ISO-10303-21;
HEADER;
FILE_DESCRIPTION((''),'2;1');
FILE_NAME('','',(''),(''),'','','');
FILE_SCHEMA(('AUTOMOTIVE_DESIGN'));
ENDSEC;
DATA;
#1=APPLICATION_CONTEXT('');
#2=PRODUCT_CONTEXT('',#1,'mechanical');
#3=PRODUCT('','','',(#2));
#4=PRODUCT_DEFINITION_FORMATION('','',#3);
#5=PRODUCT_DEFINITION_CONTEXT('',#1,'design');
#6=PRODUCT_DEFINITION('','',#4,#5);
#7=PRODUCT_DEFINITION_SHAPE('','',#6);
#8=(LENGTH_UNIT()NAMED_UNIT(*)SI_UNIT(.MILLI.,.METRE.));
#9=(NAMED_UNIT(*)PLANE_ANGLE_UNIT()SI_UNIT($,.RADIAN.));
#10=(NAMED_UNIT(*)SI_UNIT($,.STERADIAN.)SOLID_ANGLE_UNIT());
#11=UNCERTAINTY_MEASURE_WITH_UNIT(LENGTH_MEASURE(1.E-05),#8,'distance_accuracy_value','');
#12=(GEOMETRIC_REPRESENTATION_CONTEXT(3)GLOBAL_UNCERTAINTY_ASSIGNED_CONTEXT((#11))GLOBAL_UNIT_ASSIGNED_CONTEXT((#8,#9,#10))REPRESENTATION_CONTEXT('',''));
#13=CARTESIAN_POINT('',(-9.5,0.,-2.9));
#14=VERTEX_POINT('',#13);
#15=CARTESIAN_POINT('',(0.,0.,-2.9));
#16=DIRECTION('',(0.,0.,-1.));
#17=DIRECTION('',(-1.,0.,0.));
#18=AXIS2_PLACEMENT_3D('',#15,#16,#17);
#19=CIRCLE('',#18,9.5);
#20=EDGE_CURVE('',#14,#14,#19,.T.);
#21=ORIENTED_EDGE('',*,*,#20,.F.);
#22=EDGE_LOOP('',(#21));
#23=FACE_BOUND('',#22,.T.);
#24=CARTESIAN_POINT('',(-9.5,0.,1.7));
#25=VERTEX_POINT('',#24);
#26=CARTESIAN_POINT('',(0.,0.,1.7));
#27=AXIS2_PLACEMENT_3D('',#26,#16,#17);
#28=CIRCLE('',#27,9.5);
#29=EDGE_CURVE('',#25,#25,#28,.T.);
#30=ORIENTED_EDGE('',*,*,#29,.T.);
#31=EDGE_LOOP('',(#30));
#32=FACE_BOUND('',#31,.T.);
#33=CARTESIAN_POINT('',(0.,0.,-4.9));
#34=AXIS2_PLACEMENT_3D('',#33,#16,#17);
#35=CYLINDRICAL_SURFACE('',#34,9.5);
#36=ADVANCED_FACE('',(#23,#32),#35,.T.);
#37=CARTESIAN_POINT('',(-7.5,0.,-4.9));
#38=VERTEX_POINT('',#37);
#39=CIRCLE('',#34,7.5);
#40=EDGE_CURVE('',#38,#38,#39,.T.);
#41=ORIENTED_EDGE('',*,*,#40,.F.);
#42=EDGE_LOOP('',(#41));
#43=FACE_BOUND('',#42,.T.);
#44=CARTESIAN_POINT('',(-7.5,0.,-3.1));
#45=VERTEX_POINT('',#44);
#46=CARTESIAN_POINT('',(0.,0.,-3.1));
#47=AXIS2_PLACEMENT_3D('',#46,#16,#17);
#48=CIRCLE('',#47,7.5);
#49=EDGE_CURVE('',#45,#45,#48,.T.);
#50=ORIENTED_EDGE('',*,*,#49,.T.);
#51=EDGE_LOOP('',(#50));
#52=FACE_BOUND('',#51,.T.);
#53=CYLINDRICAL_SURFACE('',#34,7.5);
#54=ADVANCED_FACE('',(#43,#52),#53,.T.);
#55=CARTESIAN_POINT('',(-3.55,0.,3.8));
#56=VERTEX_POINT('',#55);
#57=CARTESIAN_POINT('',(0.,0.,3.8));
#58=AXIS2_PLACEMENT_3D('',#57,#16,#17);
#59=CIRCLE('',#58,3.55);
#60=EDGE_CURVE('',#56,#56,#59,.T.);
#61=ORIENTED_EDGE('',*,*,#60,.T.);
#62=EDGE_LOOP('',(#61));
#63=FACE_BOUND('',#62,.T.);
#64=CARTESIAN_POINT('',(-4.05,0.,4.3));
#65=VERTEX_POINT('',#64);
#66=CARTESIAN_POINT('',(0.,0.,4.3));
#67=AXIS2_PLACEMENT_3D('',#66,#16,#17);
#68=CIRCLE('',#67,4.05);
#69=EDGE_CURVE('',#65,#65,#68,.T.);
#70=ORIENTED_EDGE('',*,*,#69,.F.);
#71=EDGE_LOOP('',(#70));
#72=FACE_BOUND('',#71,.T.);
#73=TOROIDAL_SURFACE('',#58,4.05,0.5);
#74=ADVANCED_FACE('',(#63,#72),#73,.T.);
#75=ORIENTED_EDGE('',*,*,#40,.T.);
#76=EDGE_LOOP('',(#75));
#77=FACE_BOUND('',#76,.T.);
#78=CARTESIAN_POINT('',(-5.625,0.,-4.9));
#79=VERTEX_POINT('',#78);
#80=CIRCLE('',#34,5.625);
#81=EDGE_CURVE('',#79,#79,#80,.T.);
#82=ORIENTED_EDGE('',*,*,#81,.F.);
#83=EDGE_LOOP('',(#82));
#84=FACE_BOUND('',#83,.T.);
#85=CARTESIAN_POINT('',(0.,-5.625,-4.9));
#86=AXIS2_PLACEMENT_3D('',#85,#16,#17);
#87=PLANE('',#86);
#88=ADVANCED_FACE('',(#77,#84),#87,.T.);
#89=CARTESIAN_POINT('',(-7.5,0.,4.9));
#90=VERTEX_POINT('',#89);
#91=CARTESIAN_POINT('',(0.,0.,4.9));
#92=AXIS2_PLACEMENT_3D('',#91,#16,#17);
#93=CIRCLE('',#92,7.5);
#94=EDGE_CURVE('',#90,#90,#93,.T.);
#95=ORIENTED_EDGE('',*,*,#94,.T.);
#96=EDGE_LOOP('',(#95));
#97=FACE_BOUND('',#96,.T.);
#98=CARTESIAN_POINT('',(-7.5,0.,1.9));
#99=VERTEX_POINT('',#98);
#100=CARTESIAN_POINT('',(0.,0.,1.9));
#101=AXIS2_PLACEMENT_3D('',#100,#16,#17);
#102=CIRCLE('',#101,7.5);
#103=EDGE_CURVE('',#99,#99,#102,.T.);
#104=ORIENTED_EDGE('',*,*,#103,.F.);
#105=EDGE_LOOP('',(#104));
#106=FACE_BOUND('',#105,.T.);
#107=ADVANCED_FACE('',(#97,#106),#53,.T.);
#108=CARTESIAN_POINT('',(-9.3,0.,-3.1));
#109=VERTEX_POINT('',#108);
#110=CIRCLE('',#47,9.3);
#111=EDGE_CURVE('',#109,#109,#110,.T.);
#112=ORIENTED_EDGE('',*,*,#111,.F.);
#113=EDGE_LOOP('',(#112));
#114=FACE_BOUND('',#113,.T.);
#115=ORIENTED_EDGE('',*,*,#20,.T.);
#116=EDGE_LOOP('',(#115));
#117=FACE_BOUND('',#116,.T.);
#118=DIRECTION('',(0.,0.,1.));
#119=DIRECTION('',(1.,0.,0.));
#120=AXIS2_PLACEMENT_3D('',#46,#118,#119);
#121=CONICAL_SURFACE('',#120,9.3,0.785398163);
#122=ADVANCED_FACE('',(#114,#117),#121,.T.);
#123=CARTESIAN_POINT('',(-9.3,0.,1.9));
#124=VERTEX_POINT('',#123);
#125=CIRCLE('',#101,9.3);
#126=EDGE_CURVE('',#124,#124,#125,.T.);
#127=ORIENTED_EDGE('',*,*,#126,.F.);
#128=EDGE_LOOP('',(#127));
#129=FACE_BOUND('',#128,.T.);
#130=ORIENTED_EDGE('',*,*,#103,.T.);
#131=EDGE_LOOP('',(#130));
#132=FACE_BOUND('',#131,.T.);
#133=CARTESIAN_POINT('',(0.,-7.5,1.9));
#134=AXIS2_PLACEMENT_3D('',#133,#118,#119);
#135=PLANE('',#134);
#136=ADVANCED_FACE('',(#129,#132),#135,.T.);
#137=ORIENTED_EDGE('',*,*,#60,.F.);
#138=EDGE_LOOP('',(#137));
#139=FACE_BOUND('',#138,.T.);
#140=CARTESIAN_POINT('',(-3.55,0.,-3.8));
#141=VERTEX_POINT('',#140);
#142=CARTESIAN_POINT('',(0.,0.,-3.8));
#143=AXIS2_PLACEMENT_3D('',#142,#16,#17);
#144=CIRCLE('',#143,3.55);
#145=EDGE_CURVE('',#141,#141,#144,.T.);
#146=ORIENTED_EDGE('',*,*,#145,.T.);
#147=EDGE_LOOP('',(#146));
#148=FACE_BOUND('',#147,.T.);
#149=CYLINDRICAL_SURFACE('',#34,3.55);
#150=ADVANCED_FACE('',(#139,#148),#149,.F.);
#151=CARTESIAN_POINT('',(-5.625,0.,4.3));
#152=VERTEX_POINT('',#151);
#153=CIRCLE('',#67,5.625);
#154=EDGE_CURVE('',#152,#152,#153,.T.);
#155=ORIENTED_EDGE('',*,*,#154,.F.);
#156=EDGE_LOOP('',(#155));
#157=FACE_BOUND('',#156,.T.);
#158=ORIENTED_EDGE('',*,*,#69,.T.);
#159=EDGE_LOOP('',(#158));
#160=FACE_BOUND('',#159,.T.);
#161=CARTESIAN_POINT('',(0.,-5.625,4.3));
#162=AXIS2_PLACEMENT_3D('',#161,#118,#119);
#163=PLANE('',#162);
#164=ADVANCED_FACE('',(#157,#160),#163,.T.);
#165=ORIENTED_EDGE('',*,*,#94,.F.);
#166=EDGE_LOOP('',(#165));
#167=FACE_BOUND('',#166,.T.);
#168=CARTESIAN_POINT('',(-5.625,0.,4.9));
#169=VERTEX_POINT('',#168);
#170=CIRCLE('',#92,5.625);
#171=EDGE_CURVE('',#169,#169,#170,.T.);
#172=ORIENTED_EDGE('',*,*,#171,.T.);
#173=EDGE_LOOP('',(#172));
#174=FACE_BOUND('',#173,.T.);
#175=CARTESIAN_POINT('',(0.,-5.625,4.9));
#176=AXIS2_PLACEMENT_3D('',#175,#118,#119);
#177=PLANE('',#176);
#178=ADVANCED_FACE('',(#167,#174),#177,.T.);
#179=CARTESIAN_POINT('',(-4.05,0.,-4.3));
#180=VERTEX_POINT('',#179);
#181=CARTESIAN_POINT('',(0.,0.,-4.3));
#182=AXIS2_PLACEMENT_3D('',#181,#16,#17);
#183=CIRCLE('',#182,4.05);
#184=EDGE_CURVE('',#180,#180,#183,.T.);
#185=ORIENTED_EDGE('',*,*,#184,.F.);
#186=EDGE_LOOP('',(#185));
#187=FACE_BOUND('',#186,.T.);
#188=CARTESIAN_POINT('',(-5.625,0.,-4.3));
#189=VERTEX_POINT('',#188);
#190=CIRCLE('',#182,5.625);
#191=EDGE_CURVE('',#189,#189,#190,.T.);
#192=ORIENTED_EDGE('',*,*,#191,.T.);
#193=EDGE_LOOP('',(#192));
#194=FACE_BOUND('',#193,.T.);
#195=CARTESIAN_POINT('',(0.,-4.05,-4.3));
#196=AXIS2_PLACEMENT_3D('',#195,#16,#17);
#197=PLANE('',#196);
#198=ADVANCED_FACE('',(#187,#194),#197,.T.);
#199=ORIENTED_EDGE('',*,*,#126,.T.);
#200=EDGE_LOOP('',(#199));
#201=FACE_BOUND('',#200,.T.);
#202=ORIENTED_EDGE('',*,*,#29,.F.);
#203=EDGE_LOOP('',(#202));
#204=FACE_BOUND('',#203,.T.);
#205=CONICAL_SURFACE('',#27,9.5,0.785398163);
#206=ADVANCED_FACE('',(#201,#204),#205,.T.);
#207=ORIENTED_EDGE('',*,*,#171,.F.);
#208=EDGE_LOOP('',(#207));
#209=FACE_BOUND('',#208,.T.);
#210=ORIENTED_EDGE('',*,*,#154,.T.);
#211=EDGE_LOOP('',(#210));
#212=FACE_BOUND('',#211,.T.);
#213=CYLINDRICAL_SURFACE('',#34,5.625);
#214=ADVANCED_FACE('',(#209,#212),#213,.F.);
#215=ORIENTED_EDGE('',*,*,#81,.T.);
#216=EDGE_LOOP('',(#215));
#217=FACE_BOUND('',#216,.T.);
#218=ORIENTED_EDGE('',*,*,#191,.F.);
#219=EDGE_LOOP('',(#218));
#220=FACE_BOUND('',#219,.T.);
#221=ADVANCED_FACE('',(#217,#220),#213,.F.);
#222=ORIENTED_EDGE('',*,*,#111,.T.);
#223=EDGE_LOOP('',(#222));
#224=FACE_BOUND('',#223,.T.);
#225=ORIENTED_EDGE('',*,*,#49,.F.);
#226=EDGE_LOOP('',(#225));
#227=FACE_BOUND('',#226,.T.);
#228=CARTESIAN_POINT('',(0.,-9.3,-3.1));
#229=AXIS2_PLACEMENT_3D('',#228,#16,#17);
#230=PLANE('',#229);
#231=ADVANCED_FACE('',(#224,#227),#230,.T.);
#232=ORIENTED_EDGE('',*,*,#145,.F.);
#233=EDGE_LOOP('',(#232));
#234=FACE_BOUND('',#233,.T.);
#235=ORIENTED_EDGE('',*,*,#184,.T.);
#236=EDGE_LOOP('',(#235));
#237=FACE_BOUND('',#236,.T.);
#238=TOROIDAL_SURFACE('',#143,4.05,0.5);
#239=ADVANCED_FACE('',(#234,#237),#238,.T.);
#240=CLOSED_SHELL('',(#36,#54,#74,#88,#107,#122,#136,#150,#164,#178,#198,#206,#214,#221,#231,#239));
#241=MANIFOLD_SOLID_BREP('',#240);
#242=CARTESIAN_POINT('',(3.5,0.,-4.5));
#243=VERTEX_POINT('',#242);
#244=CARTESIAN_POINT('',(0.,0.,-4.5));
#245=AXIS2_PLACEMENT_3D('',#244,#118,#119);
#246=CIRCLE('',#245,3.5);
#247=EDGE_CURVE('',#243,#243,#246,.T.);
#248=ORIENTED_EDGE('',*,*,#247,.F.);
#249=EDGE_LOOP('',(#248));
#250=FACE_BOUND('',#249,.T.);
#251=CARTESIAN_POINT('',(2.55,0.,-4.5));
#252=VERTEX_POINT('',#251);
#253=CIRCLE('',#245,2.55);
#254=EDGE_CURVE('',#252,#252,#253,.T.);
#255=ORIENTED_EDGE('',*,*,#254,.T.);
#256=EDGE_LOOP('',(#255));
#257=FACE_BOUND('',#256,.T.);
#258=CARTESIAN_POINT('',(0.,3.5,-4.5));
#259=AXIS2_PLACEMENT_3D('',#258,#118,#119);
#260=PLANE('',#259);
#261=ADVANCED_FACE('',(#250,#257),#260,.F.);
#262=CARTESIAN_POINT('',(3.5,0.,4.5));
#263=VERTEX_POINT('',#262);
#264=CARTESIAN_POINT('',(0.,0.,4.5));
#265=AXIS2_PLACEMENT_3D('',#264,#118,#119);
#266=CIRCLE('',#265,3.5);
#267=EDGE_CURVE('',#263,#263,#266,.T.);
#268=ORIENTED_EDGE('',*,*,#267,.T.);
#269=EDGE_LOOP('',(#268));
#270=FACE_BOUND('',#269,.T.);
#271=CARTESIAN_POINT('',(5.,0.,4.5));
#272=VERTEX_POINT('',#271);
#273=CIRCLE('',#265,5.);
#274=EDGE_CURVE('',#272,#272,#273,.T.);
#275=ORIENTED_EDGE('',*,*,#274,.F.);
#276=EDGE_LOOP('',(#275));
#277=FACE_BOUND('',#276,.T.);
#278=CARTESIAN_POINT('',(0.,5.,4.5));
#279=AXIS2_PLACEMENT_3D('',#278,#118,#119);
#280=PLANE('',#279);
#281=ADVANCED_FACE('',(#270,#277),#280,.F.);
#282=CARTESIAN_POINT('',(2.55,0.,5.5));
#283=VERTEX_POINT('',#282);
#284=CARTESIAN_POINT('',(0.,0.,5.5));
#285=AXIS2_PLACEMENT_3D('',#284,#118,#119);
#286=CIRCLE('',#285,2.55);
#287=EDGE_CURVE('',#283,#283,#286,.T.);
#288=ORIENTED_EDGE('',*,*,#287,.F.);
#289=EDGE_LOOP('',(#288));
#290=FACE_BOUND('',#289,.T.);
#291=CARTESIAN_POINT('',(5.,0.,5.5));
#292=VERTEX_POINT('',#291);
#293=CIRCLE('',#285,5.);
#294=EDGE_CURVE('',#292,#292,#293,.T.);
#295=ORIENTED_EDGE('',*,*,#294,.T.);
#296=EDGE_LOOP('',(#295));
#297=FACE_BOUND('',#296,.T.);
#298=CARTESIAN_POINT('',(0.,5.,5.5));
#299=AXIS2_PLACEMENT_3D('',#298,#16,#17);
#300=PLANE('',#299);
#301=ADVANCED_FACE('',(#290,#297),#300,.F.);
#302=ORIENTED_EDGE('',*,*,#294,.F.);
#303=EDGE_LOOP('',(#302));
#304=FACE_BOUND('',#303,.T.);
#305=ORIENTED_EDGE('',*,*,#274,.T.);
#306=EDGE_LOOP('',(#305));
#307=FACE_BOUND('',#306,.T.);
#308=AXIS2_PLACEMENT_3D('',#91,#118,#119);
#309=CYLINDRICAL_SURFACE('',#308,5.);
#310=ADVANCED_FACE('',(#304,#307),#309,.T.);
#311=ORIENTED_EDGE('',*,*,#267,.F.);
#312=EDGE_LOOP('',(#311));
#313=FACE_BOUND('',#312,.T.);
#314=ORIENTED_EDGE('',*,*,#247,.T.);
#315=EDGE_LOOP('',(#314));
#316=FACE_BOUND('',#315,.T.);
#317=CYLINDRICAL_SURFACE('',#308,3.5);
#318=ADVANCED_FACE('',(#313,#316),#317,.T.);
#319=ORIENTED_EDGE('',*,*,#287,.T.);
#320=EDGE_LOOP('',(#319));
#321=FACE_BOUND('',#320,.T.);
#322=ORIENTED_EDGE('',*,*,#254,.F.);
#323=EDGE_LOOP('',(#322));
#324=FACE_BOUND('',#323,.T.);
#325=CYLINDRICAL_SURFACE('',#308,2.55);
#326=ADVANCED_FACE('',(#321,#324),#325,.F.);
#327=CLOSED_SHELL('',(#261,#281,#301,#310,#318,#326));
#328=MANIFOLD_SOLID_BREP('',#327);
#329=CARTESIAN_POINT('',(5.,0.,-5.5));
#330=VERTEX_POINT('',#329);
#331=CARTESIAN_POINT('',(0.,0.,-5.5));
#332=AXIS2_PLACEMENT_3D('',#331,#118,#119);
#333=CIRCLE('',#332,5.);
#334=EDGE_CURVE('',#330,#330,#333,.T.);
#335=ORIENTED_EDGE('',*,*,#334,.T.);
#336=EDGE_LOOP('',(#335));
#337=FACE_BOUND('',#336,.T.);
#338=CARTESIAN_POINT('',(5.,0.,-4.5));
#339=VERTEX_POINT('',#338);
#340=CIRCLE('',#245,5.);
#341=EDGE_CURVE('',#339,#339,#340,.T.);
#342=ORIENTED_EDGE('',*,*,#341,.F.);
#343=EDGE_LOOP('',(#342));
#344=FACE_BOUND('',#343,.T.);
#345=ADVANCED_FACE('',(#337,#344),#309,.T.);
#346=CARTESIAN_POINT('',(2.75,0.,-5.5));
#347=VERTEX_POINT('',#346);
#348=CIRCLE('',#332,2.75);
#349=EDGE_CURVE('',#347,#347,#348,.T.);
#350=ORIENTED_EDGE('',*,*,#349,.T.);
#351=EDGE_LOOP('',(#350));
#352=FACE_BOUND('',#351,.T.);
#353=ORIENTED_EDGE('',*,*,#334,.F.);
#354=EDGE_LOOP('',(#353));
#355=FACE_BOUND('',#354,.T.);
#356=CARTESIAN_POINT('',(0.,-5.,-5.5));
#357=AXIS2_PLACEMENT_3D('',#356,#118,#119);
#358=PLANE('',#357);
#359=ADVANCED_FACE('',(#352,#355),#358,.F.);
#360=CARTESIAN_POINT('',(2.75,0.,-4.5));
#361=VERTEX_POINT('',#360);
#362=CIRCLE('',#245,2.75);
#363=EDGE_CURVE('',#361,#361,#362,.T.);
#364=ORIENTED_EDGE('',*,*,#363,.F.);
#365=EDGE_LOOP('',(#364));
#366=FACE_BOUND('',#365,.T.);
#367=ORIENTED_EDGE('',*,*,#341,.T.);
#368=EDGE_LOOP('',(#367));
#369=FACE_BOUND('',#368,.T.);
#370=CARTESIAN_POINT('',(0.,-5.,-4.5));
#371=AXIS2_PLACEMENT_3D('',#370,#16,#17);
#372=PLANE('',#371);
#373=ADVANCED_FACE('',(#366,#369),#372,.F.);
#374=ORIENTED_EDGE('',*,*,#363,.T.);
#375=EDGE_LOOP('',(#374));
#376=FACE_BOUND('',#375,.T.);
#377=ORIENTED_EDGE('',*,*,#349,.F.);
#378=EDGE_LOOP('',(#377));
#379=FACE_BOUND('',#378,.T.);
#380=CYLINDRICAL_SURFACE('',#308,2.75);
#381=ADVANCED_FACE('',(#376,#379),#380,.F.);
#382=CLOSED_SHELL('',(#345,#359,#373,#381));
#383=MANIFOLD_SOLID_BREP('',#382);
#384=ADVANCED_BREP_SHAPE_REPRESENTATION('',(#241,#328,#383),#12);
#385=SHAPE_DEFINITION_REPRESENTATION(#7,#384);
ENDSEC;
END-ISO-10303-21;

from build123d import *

# Parameters (mm, degrees)
SKETCH3_W = 1
SKETCH3_H = 2.25


with BuildPart() as part:
    # Sketch1 → Revolve1 (revolve)
    with BuildSketch(Plane(origin=(0, 0, 0), x_dir=(0, 0, -1), z_dir=(1, 0, 0)), mode=Mode.PRIVATE) as revolve1_sk:
        with BuildLine():
            Line((-3.8, 3.55), (3.8, 3.55))
            ThreePointArc((3.8, 3.55), (4.153553391, 3.696446609), (4.3, 4.05))
            Line((4.3, 4.05), (4.3, 5.625))
            Line((4.3, 5.625), (4.9, 5.625))
            Line((4.9, 5.625), (4.9, 7.5))
            Line((4.9, 7.5), (3.1, 7.5))
            Line((3.1, 7.5), (3.1, 9.3))
            Line((3.1, 9.3), (2.9, 9.5))
            Line((2.9, 9.5), (-1.7, 9.5))
            Line((-1.7, 9.5), (-1.9, 9.3))
            Line((-1.9, 9.3), (-1.9, 7.5))
            Line((-1.9, 7.5), (-4.9, 7.5))
            Line((-4.9, 7.5), (-4.9, 5.625))
            Line((-4.9, 5.625), (-4.3, 5.625))
            Line((-4.3, 5.625), (-4.3, 4.05))
            ThreePointArc((-4.3, 4.05), (-4.153553391, 3.696446609), (-3.8, 3.55))
        make_face()
    revolve(revolve1_sk.sketch.rotate(Axis((0, 0, -4.9), (0, 0, 1)), 90), axis=Axis((0, 0, -4.9), (0, 0, 1)))


with BuildPart() as body_2:
    # Sketch2 → Revolve2 (revolve)
    with BuildSketch(Plane(origin=(0, 0, 0), x_dir=(0, 0, -1), z_dir=(1, 0, 0)), mode=Mode.PRIVATE) as revolve2_sk:
        Polygon((-5.5, 5), (-4.5, 5), (-4.5, 3.5), (4.5, 3.5), (4.5, 2.55), (-5.5, 2.55), align=None)
    revolve(revolve2_sk.sketch.rotate(Axis((0, 0, 4.9), (0, 0, -1)), 90), axis=Axis((0, 0, 4.9), (0, 0, -1)))


with BuildPart() as body_3:
    # Sketch3 → Revolve3 (revolve)
    with BuildSketch(Plane(origin=(0, 0, 0), x_dir=(0, 0, -1), z_dir=(1, 0, 0)), mode=Mode.PRIVATE) as revolve3_sk:
        with Locations((5, 3.875)):
            Rectangle(SKETCH3_W, SKETCH3_H)
    revolve(revolve3_sk.sketch.rotate(Axis((0, 0, 4.9), (0, 0, -1)), 90), axis=Axis((0, 0, 4.9), (0, 0, -1)))


solid = Compound([part.part, body_2.part, body_3.part])
